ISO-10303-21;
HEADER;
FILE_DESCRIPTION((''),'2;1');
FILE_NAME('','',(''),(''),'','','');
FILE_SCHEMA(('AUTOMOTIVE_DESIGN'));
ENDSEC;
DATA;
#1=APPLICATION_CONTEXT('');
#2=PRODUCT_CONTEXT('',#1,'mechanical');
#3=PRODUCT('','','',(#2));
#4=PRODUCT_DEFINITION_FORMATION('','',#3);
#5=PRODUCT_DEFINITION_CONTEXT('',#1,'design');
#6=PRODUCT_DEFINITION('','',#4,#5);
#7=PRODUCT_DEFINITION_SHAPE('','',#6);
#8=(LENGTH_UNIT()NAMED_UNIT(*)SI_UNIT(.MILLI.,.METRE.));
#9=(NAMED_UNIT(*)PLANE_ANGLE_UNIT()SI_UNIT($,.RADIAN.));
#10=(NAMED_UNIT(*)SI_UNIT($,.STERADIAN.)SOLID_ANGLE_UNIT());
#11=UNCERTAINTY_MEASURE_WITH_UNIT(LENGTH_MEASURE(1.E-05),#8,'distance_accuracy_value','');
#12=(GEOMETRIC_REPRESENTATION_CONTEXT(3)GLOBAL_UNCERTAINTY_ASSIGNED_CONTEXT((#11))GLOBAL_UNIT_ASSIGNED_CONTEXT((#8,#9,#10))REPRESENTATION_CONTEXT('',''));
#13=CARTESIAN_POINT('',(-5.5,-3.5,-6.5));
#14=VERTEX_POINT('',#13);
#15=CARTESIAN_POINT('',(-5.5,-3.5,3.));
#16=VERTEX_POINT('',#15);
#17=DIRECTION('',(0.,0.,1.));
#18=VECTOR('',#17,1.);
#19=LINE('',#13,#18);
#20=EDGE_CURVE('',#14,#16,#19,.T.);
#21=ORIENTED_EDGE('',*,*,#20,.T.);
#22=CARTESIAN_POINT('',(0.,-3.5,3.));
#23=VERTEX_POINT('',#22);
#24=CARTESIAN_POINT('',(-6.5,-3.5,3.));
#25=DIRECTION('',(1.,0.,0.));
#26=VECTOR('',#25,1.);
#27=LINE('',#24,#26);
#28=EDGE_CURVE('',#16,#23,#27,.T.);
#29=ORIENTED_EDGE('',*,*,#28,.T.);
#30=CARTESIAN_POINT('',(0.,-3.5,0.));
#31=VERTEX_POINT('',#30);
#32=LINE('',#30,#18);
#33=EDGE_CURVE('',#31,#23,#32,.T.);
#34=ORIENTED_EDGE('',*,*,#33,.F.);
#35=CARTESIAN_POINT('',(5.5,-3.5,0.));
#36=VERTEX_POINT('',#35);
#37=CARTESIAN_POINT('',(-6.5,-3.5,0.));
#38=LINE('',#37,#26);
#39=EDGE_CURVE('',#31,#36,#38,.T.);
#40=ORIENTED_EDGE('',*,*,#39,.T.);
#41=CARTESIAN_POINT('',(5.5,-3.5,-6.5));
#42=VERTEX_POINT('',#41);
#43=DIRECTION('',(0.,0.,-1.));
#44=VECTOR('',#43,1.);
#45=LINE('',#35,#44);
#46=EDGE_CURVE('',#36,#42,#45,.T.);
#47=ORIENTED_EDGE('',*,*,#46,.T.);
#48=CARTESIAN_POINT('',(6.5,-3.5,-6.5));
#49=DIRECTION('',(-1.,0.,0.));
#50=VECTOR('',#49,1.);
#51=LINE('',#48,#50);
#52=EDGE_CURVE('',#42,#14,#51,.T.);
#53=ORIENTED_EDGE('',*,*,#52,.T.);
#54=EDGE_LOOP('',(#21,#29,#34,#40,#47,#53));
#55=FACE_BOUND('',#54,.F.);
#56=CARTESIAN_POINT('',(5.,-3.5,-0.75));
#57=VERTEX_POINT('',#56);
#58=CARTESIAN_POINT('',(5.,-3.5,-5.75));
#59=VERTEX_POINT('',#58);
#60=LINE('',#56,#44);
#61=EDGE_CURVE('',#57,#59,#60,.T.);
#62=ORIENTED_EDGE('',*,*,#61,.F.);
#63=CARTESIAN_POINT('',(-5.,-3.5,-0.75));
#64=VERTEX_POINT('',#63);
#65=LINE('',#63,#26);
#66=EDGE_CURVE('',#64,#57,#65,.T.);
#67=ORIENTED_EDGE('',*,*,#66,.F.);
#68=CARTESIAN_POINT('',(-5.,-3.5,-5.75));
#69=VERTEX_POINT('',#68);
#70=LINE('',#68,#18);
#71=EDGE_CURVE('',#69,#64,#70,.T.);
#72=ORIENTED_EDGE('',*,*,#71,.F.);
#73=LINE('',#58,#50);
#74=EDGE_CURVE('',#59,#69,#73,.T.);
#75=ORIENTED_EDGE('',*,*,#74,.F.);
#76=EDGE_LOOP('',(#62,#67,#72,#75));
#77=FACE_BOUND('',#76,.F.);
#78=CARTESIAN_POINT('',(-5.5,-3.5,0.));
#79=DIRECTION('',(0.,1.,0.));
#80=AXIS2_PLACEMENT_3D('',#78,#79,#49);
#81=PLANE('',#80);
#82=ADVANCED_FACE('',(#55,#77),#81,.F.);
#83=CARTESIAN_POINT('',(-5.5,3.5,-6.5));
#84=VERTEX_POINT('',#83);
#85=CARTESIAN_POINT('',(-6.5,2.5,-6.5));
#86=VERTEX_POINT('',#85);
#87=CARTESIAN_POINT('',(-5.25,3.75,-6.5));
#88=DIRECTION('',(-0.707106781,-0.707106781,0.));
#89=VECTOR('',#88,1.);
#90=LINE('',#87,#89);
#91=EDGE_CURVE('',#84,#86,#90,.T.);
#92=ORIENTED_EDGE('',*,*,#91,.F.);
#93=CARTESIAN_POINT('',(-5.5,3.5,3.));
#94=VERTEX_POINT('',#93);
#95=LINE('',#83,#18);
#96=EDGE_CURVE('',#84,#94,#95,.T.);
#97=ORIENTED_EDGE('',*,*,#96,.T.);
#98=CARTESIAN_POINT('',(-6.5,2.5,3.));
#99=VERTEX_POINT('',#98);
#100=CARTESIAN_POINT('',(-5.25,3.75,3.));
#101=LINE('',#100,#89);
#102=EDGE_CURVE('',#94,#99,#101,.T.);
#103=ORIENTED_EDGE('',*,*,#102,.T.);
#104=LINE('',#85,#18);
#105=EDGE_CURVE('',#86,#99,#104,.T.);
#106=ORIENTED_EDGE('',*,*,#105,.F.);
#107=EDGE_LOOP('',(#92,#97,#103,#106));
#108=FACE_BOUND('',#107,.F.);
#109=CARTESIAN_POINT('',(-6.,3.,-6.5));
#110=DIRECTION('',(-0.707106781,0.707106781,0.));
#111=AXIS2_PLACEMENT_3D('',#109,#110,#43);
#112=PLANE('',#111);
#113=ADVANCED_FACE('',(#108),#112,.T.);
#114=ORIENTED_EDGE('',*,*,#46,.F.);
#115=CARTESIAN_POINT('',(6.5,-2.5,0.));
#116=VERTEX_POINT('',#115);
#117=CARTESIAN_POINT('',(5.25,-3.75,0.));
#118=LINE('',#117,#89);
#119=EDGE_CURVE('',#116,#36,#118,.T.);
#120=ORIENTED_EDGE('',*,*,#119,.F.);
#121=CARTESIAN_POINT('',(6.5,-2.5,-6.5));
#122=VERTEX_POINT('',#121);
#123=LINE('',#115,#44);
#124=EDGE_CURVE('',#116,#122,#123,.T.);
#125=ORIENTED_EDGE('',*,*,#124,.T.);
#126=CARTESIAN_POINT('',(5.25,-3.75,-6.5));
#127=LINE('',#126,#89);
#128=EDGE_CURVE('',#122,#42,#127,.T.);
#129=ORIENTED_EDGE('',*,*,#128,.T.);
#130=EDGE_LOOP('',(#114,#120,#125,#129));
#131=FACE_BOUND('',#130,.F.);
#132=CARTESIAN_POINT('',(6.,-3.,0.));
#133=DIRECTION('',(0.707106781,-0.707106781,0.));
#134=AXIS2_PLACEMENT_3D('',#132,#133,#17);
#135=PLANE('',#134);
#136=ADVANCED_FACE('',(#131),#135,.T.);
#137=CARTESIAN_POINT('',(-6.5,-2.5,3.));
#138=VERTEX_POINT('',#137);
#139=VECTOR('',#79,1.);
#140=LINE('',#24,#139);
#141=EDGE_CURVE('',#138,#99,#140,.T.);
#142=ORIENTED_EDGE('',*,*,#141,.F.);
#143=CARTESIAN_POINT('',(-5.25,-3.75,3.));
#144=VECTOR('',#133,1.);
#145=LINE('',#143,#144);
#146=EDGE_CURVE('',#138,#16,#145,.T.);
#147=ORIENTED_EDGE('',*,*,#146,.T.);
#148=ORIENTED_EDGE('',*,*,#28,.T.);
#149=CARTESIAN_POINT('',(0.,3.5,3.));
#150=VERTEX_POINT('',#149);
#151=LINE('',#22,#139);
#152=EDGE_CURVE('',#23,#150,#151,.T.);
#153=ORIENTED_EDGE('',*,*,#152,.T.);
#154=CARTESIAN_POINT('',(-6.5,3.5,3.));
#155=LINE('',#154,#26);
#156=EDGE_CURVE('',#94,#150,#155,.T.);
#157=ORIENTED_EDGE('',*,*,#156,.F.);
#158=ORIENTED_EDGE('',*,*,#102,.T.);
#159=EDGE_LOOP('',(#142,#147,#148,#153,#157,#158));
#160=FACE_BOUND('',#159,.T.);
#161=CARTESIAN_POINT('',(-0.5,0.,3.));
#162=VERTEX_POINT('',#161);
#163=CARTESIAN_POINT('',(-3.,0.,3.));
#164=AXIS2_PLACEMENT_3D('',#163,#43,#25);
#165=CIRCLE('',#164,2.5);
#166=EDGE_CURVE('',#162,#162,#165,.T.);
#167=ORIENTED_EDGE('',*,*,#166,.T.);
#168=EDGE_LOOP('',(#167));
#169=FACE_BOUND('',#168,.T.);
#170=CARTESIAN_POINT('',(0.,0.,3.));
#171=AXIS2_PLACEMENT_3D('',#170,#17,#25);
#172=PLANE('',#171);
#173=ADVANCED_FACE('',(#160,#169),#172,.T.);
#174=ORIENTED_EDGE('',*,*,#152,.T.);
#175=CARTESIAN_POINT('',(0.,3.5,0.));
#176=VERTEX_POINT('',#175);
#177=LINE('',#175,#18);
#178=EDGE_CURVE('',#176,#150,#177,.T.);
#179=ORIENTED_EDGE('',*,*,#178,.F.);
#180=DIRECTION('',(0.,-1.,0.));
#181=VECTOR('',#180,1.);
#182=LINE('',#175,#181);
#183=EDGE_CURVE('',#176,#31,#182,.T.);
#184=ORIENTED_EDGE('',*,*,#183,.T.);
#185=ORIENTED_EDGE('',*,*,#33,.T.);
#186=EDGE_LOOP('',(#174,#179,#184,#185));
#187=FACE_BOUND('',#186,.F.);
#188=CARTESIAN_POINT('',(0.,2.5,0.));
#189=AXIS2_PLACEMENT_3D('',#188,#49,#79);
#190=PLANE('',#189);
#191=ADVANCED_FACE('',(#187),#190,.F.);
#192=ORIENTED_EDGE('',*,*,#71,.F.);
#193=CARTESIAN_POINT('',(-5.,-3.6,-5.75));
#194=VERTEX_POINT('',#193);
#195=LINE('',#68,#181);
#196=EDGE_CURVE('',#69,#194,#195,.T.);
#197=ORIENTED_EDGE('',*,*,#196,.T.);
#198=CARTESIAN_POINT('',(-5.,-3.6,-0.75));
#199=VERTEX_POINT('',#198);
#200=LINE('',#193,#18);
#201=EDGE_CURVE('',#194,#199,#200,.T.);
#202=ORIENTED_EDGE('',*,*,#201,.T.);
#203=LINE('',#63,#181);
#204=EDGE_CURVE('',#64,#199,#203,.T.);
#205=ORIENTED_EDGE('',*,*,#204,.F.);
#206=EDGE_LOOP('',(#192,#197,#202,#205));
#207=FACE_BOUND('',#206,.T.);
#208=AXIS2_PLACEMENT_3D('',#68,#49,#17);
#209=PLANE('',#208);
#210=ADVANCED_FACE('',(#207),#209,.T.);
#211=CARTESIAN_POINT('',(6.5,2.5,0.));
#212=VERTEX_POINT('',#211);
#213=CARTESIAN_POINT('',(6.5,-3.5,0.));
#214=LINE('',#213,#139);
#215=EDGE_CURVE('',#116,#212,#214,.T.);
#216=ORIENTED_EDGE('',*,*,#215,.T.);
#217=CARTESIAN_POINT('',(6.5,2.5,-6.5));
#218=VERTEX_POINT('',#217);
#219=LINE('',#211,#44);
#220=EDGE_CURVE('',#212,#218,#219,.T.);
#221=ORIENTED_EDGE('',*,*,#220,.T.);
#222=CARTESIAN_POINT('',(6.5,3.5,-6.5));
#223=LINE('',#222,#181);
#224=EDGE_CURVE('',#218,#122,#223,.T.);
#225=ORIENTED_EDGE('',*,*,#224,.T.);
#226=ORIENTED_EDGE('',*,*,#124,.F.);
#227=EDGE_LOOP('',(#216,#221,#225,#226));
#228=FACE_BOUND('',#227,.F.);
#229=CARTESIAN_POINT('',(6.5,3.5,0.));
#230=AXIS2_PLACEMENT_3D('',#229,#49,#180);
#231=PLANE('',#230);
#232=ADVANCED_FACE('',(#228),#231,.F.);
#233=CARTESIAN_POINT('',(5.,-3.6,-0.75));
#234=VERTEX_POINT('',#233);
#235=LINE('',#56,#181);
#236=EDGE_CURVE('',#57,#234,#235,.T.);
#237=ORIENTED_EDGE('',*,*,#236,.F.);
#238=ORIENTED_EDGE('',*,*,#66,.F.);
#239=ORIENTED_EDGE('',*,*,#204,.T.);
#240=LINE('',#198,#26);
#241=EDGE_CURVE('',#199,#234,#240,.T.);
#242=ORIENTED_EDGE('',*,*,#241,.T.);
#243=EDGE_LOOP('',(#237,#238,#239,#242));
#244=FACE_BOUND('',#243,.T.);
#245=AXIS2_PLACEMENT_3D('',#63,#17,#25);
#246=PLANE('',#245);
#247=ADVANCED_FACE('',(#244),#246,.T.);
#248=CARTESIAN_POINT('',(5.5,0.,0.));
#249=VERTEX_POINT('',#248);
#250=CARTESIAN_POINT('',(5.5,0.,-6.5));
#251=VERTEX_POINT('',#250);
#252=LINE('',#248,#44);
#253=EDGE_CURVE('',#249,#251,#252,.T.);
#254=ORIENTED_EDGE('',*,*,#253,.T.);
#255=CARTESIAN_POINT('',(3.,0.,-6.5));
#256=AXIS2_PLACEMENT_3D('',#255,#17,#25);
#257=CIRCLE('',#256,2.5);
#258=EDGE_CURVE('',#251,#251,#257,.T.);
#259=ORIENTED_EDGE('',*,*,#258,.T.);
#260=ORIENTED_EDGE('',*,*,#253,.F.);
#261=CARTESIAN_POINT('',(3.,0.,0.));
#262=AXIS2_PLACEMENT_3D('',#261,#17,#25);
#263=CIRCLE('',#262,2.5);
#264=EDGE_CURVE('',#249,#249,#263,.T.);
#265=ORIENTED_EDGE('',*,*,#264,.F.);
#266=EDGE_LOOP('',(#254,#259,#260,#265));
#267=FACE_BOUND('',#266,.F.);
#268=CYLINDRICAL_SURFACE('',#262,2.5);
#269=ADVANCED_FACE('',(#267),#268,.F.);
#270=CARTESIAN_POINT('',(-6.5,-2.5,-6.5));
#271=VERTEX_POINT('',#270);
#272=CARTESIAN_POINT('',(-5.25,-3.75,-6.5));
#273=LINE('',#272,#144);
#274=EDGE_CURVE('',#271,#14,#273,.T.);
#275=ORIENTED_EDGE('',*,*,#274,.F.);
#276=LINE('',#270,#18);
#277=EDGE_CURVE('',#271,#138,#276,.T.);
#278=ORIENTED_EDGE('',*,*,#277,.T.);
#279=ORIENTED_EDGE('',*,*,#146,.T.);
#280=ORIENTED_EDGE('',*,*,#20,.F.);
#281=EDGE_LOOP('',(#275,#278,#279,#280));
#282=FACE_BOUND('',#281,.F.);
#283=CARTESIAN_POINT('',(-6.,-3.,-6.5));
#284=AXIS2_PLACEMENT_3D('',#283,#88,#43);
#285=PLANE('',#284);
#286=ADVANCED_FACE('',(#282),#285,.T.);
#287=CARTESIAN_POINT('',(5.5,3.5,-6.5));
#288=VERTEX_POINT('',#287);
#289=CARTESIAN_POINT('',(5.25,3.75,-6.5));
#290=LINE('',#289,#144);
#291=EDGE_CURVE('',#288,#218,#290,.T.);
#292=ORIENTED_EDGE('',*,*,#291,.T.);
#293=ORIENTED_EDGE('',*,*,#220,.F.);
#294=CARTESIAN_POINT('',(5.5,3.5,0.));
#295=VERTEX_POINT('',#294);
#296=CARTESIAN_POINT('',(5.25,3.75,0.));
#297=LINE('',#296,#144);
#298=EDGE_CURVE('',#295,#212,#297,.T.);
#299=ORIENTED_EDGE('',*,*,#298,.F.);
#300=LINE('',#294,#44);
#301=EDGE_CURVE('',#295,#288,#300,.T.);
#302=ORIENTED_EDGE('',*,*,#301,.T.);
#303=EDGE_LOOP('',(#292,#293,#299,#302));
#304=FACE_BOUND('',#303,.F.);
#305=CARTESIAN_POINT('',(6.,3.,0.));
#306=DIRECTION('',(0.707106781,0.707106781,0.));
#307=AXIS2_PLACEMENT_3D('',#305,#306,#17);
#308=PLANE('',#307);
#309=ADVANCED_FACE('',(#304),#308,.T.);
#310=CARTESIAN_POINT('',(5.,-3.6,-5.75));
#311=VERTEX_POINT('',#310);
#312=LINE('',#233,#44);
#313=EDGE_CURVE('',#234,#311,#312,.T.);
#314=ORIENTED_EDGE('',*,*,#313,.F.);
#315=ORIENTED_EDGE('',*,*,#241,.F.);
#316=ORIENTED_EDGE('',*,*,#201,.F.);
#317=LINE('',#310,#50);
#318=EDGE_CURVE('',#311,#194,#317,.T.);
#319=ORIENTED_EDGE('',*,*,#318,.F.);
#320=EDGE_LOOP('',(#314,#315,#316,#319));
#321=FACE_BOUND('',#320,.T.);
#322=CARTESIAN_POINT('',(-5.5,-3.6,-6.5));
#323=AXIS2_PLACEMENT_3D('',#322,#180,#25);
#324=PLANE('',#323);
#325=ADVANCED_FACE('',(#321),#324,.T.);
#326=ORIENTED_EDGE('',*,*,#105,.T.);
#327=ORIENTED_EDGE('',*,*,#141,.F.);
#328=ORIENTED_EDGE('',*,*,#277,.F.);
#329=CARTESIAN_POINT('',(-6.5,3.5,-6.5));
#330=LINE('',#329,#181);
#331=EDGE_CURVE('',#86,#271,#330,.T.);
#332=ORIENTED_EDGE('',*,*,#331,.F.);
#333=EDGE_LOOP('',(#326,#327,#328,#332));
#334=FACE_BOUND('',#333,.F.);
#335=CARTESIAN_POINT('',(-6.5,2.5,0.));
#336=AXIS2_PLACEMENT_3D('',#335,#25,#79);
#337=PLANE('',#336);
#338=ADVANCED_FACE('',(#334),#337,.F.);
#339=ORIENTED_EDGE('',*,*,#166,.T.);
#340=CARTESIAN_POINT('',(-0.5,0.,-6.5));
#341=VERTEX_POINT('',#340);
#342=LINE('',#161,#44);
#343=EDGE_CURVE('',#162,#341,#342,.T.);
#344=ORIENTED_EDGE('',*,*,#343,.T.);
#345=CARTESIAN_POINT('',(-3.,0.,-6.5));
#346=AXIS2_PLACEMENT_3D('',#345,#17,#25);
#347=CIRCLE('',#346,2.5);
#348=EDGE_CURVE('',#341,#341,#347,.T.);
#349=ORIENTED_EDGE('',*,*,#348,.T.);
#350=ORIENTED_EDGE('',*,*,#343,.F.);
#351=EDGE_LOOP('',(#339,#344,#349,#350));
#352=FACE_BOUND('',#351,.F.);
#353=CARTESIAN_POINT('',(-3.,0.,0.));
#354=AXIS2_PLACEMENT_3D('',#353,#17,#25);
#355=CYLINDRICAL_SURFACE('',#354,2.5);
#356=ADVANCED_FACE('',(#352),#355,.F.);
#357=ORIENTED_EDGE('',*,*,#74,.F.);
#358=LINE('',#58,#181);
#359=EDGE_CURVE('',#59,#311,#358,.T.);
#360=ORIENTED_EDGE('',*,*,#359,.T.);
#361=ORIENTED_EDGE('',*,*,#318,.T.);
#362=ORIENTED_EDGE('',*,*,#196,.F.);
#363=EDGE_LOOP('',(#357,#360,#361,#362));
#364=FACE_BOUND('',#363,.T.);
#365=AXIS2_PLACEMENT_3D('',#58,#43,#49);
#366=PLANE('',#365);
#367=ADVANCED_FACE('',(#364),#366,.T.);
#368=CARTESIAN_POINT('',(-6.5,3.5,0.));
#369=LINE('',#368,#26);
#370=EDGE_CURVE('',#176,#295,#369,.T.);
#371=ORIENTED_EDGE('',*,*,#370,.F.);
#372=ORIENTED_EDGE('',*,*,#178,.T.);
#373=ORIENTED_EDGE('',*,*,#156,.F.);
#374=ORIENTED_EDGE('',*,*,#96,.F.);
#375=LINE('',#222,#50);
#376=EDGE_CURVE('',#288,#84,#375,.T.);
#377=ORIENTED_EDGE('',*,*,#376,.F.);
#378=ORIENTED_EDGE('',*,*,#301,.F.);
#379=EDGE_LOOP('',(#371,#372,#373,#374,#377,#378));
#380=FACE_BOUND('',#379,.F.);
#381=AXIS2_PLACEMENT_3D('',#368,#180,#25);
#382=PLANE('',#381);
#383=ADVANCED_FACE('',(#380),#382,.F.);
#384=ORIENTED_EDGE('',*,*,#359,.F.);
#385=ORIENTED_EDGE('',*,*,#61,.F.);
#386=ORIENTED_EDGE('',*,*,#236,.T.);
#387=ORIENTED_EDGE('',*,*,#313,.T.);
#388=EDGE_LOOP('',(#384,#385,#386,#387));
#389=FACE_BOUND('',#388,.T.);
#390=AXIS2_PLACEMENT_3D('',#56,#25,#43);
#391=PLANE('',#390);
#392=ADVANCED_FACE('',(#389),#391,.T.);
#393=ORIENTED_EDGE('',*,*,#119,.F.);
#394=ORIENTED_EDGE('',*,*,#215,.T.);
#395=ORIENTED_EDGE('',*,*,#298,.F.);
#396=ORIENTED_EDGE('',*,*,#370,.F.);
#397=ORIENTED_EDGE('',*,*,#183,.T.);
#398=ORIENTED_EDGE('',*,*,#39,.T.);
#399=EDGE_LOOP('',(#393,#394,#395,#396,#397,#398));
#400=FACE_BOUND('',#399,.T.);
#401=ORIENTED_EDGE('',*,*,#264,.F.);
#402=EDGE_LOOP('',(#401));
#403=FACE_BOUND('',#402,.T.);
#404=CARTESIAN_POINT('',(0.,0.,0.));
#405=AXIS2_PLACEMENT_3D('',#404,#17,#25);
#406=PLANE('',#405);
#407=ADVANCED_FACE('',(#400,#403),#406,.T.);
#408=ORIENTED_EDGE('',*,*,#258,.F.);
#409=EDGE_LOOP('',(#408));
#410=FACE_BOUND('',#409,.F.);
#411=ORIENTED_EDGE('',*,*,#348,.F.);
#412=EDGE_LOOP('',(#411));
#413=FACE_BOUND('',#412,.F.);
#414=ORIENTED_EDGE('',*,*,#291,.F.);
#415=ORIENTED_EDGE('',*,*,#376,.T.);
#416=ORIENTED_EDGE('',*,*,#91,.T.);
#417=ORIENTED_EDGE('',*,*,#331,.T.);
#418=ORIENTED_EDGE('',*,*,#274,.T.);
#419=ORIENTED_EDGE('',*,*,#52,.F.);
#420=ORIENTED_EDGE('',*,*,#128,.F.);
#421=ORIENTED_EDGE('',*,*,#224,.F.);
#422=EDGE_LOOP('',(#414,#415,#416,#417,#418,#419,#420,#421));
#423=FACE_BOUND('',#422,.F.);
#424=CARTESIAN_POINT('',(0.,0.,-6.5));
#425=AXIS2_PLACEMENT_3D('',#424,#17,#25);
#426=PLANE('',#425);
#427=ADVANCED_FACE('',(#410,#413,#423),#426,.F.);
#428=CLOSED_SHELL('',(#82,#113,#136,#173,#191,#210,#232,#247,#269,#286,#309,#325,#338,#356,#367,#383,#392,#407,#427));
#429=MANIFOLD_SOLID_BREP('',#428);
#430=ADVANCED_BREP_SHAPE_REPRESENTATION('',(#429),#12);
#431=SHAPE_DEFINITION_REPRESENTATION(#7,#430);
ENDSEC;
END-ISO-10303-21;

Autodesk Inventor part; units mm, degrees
ref_plane "YZ Plane" through (0, 0, 0) normal (1, 0, 0) x (0, 1, 0)
ref_plane "XZ Plane" through (0, 0, 0) normal (0, 1, 0) x (-1, 0, 0)
ref_plane "XY Plane" through (0, 0, 0) normal (0, 0, 1) x (1, 0, 0)
sketch "スケッチ1" plane through (0, 0, 0) normal (0, 0, 1) x (1, 0, 0)
  line L0 (-6.5, 3.5) -> (6.5, 3.5)
  line L1 (6.5, 3.5) -> (6.5, -3.5)
  line L2 (6.5, -3.5) -> (-6.5, -3.5)
  line L3 (-6.5, -3.5) -> (-6.5, 3.5)
  line L4 (-6.5, 3.5) -> (6.5, -3.5) construction
  line L5 (6.5, 3.5) -> (-6.5, -3.5) construction
  line L6 (5.5, 3.5) -> (5.5, -3.5)
  line L7 (0.5, 3.5) -> (0.5, -3.5)
  line L8 (-0.5, 3.5) -> (-0.5, -3.5)
  line L9 (-5.5, 3.5) -> (-5.5, -3.5)
  line L10 (0, -4.9) -> (0, 4.9) projected
  circle A0 centre (-3, 0) radius 2.5
  circle A1 centre (3, 0) radius 2.5
  line L11 (-6.5, -2.5) -> (6.5, -2.5)
  line L12 (-6.5, 2.5) -> (6.5, 2.5)
  line L13 (-9.1, 0) -> (9.1, 0) projected
  line L14 (-5.5, 2.5) -> (-0.5, -2.5) construction
  line L15 (-5.5, -2.5) -> (-0.5, 2.5) construction
  line L16 (5.5, 2.5) -> (0.5, -2.5) construction
  line L17 (5.5, -2.5) -> (0.5, 2.5) construction
  point P0 (0, 0)
  point P1 (0, 0)
  point P2 (3, 0)
  point P3 (-3, 0)
  point P4 (0, -3.5)
  point P5 (0, 3.5)
  dimension "d2" = 1
  dimension "d3" = 1
  dimension "d4" = 1
  dimension "d5" = 5
  dimension "d8" = 5
  dimension "d9" = 5
  dimension "d10" = 1
  dimension "d11" = 5
extrude "押し出し1" add sketch "スケッチ1" against normal blind 6.5
extrude "押し出し2" add sketch "スケッチ1" along normal blind 3 contours L0 L9 L12 L3 | L0 L8 L12 L9 | L12 L9 L13 L3 | L0 L10 L12 L8 | L12 A0 L9 | L13 L9 L11 L3 | L12 L10 L13 L8 | L8 A0 L12 | A0 L11 L9 | L13 A0 | A0 L13 | L11 L9 L2 L3 | L13 L10 L11 L8 | L8 L11 A0 | L11 L8 L2 L9 | L11 L10 L2 L8
extrude "押し出し3" cut sketch "スケッチ1" along normal mid plane 20 contours L13 A0 | A0 L13 | L13 A1 | A1 L13
chamfer "面取り1" distance 1 angle 45 4 edges at (-6.5, 3.5, -1.75) (6.5, 3.5, -3.25) (6.5, -3.5, -3.25) (-6.5, -3.5, -1.75)
ref_plane "作業平面1" through (-5.5, -3.5, -6.5) normal (0, -1, 0) x (1, 0, 0)
sketch "スケッチ2" plane through (-5.5, -3.5, -6.5) normal (0, -1, 0) x (1, 0, 0)
  line L0 (0, 0) -> (0, 9.5) projected
  line L1 (11, 0) -> (0, 0) projected
  line L2 (11, 6.5) -> (11, 0) projected
  line L3 (5.5, 6.5) -> (11, 6.5) projected
  line L4 (5.5, 6.5) -> (5.5, 9.5) projected
  line L5 (0, 9.5) -> (5.5, 9.5) projected
  line L6 (0.5, 5.75) -> (10.5, 5.75)
  line L7 (10.5, 5.75) -> (10.5, 0.75)
  line L8 (10.5, 0.75) -> (0.5, 0.75)
  line L9 (0.5, 0.75) -> (0.5, 5.75)
  line L10 (0, 0) -> (0, 9.5) projected
  line L11 (11, 0) -> (12, 0) projected
  line L12 (0, 6.5) -> (11, 0) construction
  line L13 (5, 0) -> (0, 0) projected
  line L14 (12, 6.5) -> (11, 6.5) projected
  line L15 (0, 0) -> (11, 6.5) construction
  line L16 (12, 6.5) -> (-1, 6.5) projected
  line L17 (0.5, 5.75) -> (10.5, 0.75) construction
  line L18 (0.5, 0.75) -> (10.5, 5.75) construction
  point P0 (6.5, 6.5)
  point P1 (5.5, 3.25)
  dimension "d25" = 5
  dimension "d26" = 10
extrude "押し出し4" add sketch "スケッチ2" along normal blind 0.1 contours L6 L7 L8 L9
ref_plane "作業平面2" through (-6.5, -2.5, 3) normal (-1, 0, 0) x (0, 0, 1)
properties part number "sensorholder_3"
